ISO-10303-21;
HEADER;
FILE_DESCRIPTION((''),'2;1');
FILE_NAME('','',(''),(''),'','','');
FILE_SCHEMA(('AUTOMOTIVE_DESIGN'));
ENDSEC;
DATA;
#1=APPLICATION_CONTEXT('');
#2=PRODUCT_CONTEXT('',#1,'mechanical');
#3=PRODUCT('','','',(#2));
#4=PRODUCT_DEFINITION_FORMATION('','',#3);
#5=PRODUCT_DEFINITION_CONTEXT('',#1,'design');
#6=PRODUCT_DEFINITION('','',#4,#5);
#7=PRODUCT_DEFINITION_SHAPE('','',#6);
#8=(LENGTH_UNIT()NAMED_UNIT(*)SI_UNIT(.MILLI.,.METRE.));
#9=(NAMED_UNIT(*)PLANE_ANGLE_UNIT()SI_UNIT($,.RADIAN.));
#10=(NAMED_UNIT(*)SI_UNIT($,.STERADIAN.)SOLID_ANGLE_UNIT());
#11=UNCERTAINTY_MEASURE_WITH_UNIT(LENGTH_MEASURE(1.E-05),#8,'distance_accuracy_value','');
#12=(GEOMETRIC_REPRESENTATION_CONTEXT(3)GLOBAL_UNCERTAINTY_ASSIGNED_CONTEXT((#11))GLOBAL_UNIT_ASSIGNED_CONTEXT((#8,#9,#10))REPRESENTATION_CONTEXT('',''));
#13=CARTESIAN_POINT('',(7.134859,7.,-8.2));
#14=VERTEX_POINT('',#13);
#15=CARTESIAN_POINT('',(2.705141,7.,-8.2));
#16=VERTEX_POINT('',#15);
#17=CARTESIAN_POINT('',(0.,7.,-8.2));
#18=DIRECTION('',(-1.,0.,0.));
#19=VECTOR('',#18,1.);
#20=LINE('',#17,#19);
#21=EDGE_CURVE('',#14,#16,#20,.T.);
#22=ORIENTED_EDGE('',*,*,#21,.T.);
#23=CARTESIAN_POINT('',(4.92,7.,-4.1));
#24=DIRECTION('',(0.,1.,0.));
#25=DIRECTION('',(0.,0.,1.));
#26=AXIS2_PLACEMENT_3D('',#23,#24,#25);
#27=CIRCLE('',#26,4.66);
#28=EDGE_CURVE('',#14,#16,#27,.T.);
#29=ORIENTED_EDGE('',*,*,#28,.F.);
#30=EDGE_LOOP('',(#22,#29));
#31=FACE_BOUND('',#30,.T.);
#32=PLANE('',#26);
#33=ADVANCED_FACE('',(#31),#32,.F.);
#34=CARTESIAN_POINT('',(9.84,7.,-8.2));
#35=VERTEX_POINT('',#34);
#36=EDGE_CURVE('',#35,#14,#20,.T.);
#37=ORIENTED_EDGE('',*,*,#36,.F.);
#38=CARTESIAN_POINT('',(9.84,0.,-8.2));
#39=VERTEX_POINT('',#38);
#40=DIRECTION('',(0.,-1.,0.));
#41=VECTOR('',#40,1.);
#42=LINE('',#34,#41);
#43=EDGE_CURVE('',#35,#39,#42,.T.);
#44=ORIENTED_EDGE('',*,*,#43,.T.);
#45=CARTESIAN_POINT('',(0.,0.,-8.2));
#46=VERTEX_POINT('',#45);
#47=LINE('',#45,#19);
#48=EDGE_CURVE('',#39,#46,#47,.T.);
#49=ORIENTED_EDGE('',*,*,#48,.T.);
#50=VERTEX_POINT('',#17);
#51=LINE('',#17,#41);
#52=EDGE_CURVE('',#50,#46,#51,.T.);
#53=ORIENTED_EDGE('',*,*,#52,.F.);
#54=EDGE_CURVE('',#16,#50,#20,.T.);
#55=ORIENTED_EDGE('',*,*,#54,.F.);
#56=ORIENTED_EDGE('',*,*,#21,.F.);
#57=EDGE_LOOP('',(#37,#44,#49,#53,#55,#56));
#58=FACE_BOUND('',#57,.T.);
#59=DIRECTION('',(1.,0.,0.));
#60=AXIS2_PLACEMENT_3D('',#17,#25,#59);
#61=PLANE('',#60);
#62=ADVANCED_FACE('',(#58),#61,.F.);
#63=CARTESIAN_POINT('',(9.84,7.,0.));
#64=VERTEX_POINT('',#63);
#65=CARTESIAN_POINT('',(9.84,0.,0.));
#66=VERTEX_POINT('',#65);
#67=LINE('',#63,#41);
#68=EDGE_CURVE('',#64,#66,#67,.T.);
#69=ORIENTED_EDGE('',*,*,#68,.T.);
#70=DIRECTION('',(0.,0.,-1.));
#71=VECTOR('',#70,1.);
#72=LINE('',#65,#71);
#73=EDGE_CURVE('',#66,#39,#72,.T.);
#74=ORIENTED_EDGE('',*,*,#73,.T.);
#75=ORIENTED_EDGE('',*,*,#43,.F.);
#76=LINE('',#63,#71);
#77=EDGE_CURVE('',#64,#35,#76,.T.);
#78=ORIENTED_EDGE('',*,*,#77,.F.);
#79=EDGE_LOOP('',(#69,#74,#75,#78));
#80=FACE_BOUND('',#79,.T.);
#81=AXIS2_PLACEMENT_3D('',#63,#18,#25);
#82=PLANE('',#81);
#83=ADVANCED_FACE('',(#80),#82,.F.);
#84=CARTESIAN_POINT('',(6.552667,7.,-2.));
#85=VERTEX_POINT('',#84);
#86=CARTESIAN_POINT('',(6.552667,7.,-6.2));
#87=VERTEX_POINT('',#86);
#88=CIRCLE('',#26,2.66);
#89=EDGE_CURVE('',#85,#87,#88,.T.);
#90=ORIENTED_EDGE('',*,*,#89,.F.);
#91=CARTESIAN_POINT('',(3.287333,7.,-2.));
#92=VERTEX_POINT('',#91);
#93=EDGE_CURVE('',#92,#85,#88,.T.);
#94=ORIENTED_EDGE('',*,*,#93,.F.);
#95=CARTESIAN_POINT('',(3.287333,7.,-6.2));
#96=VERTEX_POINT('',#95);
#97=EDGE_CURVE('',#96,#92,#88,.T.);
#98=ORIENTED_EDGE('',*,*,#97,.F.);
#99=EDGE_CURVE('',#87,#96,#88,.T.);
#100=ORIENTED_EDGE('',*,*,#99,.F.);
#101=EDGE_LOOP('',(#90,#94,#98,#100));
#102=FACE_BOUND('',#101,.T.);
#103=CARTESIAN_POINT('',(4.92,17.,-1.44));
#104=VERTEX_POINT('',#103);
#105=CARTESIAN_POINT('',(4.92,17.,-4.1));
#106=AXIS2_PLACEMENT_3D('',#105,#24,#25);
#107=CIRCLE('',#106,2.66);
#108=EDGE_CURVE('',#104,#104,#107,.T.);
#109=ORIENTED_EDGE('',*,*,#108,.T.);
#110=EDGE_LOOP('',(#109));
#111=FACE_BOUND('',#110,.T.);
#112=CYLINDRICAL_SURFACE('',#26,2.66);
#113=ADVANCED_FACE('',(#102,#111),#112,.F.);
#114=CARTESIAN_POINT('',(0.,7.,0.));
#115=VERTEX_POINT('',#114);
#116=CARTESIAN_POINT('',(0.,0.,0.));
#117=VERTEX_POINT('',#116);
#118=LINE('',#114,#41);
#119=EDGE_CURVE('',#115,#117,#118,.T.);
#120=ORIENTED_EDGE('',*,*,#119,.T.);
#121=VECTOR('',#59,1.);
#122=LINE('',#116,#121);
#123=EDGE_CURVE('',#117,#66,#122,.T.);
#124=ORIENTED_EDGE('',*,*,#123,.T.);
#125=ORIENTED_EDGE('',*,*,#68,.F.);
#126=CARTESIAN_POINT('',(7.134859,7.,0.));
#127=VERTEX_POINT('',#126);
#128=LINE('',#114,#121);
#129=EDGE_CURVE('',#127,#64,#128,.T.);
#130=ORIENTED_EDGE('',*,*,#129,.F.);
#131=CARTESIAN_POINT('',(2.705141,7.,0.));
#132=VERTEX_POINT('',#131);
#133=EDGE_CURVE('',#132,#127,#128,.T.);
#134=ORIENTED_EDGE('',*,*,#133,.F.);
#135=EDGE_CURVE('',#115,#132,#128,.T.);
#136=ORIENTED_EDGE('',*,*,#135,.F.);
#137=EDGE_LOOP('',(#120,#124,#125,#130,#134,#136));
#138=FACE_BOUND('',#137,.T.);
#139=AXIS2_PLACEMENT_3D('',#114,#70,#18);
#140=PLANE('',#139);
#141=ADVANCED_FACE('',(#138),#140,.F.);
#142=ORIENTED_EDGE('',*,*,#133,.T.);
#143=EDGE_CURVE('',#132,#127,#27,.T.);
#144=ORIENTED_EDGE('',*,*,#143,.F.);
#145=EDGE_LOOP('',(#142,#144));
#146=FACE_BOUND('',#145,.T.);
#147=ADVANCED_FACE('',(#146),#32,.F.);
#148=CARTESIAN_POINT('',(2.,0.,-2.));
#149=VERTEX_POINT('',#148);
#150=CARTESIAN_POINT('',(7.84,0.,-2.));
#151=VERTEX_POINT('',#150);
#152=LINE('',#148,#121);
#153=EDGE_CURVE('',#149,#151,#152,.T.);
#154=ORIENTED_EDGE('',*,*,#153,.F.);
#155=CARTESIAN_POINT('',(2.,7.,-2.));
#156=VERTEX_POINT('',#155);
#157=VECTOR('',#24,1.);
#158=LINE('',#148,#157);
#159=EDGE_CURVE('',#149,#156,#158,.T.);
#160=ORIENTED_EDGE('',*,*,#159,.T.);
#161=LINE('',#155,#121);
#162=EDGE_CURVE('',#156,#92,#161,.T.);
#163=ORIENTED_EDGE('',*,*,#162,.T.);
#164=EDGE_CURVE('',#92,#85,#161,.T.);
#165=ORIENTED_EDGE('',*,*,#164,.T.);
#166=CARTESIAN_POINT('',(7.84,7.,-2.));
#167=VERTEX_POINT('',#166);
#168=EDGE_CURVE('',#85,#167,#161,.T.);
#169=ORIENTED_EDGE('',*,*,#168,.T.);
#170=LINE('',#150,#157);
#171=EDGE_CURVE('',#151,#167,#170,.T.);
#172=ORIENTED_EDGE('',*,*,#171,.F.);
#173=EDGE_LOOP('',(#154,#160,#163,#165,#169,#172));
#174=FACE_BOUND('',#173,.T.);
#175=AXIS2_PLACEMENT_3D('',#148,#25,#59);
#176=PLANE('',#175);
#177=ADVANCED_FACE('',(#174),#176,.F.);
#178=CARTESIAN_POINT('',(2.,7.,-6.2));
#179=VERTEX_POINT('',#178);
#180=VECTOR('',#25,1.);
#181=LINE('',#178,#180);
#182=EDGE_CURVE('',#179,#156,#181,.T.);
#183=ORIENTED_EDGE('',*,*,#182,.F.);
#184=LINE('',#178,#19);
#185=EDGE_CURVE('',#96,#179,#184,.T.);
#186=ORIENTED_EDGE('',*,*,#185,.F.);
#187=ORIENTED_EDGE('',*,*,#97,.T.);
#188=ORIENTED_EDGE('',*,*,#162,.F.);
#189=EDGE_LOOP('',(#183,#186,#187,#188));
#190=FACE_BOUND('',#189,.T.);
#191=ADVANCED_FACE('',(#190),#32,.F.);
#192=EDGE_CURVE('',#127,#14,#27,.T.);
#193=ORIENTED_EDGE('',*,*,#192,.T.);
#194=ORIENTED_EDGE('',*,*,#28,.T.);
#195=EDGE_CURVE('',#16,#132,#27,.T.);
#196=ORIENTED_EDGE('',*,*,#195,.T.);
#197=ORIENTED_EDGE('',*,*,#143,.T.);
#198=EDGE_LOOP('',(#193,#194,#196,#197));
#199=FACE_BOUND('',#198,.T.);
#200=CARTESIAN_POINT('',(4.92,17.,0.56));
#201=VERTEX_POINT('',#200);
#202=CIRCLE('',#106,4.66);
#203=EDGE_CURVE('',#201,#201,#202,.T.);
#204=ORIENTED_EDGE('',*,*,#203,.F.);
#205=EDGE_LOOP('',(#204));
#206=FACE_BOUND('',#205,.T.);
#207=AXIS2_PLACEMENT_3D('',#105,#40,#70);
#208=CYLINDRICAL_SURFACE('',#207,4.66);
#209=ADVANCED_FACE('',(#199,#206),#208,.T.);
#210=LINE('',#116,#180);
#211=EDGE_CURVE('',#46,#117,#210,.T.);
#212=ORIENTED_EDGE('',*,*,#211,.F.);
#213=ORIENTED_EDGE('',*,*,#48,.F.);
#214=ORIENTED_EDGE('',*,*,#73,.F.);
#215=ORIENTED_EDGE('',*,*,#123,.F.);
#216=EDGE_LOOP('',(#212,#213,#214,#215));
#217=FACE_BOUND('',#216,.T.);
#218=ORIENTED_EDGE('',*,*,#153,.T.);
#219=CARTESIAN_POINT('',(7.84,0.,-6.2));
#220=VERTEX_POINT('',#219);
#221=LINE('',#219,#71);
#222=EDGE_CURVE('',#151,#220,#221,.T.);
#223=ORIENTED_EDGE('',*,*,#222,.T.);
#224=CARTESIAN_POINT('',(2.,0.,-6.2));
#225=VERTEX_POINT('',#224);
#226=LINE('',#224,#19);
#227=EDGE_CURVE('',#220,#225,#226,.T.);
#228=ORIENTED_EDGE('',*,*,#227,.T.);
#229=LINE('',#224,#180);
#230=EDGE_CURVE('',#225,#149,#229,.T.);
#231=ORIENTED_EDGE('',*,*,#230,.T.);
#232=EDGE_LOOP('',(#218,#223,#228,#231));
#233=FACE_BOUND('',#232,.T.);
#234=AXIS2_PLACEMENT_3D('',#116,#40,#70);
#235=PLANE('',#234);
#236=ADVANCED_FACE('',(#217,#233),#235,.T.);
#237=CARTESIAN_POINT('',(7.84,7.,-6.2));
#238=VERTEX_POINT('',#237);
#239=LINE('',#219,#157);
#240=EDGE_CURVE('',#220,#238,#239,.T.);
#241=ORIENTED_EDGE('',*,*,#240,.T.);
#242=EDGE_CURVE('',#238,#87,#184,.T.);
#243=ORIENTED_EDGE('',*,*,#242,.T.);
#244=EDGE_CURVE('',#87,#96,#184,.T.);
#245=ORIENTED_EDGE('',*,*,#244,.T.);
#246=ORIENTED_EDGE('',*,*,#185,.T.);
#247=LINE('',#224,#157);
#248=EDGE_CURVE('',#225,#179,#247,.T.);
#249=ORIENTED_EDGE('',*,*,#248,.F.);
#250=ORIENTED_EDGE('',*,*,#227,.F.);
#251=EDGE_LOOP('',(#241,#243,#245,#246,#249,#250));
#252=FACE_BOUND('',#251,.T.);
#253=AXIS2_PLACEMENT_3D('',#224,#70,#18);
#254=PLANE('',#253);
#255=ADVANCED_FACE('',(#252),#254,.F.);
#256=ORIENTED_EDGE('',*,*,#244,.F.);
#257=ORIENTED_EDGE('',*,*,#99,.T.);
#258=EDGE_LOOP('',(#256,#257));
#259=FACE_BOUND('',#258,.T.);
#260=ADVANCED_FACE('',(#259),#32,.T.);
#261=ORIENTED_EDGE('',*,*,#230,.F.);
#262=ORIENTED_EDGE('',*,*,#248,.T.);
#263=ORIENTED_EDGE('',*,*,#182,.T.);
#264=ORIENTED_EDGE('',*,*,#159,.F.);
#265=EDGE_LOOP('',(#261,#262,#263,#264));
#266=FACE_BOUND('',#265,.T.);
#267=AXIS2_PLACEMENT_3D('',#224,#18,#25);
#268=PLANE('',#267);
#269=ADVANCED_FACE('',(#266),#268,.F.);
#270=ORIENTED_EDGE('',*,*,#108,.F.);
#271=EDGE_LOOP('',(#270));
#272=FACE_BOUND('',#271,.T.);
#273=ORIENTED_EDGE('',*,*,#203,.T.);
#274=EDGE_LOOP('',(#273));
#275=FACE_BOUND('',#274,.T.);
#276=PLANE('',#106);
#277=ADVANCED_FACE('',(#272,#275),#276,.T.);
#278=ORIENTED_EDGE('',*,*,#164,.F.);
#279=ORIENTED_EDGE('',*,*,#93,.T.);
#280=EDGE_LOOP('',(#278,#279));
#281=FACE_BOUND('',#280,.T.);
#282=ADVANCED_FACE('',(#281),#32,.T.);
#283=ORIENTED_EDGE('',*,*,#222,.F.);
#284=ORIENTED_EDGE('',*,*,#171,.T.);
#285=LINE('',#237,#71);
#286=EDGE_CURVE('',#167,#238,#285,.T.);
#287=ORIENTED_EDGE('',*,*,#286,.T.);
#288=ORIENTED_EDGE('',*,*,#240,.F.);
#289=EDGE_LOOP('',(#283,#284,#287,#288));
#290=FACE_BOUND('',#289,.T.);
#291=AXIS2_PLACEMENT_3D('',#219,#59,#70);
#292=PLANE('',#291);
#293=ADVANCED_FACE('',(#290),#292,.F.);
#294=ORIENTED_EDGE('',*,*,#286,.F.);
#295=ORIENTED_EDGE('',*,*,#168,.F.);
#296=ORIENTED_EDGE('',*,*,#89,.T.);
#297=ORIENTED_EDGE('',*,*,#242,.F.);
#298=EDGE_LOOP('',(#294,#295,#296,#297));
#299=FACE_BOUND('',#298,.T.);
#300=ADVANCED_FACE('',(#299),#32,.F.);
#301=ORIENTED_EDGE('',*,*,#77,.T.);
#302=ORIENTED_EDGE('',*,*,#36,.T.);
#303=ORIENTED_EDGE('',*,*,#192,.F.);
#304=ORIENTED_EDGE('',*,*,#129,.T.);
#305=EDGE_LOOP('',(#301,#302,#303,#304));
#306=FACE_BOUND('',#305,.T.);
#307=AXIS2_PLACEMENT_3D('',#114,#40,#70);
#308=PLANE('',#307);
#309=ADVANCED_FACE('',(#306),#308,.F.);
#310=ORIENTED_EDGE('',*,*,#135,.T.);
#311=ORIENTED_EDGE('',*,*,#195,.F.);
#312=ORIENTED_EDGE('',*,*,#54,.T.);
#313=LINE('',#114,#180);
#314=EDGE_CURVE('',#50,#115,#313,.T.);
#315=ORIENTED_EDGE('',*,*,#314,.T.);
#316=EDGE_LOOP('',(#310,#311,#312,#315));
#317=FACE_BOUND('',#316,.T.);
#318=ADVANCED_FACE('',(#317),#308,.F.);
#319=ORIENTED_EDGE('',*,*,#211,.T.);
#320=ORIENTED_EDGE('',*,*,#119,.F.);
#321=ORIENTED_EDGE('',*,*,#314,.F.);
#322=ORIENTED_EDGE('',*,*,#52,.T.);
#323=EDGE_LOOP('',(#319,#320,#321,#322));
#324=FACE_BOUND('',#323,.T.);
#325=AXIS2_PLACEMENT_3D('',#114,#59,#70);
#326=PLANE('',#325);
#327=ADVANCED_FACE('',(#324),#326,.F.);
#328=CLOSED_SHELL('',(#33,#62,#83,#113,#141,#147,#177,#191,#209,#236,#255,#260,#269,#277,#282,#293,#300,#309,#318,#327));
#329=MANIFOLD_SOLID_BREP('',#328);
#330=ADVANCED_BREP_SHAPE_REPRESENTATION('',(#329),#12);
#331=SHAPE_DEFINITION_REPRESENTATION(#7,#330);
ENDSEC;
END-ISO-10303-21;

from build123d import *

# Parameters (mm, degrees)
SKETCH2_W           = 9.84
SKETCH2_H           = 8.2
BOSS_EXTRUDE1_DEPTH = 7
SKETCH3_W           = 5.84
SKETCH3_H           = 4.2
CUT_EXTRUDE1_DEPTH  = 15.596766765
SKETCH4_R           = 4.66
BOSS_EXTRUDE2_DEPTH = 10
SKETCH5_R           = 2.66
CUT_EXTRUDE2_DEPTH  = 10


with BuildPart() as part:
    # Sketch2 → Boss-Extrude1 (new body)
    with BuildSketch(Plane(origin=(0, 0, 0), x_dir=(1, 0, 0), z_dir=(0, 1, 0))):
        with Locations((4.92, 4.1)):
            Rectangle(SKETCH2_W, SKETCH2_H)
    extrude(amount=BOSS_EXTRUDE1_DEPTH)

    # Sketch3 → Cut-Extrude1 (cut, through all)
    with BuildSketch(Plane(origin=(0, 7, 0), x_dir=(1, 0, 0), z_dir=(0, 1, 0))):
        with Locations((4.92, 4.1)):
            Rectangle(SKETCH3_W, SKETCH3_H)
    extrude(amount=-CUT_EXTRUDE1_DEPTH, mode=Mode.SUBTRACT)

    # Sketch4 → Boss-Extrude2 (add)
    with BuildSketch(Plane(origin=(0, 7, 0), x_dir=(1, 0, 0), z_dir=(0, 1, 0))):
        with Locations(Location((4.92, 4.1, 0), (0, 0, 61.621661447))):
            Circle(SKETCH4_R)
    extrude(amount=BOSS_EXTRUDE2_DEPTH)

    # Sketch5 → Cut-Extrude2 (cut)
    with BuildSketch(Plane(origin=(0, 17, 0), x_dir=(1, 0, 0), z_dir=(0, 1, 0))):
        with Locations(Location((4.92, 4.1, 0), (0, 0, 270))):
            Circle(SKETCH5_R)
    extrude(amount=-CUT_EXTRUDE2_DEPTH, mode=Mode.SUBTRACT)


solid = part.part
